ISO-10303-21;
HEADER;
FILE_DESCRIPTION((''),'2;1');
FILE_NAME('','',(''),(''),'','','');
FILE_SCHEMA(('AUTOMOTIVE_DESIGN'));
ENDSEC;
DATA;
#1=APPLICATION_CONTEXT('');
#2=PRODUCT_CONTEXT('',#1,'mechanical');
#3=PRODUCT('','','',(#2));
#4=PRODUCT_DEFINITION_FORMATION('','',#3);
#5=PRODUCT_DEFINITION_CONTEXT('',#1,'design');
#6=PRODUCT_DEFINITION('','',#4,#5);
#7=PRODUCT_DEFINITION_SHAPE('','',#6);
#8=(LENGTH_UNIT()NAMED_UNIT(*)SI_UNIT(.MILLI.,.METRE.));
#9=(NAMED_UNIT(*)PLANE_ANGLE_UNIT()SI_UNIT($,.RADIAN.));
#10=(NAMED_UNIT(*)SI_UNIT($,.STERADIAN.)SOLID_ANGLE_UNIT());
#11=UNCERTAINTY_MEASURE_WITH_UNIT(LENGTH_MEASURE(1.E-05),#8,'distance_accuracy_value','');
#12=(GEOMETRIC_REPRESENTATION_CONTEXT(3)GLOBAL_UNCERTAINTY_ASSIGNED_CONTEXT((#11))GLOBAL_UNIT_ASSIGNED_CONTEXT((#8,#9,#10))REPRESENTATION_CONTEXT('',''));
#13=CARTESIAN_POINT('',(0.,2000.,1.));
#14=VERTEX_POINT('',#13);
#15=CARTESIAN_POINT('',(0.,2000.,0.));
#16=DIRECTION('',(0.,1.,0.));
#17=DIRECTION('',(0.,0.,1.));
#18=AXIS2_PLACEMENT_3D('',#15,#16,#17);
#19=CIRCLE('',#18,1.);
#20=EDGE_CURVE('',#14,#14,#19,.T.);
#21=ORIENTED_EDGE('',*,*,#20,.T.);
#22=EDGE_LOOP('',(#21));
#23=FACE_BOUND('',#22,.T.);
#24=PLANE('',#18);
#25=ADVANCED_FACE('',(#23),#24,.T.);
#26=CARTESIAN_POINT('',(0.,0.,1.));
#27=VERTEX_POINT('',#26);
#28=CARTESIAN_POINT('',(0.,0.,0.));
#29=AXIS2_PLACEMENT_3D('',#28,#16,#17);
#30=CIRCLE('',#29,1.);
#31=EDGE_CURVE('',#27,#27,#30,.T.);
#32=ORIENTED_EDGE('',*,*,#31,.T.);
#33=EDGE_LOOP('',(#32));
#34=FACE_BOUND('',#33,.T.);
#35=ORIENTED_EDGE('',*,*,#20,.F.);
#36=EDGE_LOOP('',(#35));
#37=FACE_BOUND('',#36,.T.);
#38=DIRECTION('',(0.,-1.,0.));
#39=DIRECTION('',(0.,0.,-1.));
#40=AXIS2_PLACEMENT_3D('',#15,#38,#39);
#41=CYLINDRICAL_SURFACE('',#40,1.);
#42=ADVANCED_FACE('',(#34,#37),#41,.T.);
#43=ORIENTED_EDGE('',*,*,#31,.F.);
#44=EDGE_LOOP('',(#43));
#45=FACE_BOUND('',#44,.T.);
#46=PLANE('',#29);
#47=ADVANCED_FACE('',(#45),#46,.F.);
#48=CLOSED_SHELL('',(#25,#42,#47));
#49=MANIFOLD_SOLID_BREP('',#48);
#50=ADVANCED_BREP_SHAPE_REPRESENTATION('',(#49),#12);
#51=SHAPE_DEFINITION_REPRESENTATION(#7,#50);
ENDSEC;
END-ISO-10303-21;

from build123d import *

# Parameters (mm, degrees)
SKETCH_1_R      = 1
EXTRUDE_1_DEPTH = 2000


with BuildPart() as part:
    # 草图1 → 凸台-拉伸1 (new body)
    with BuildSketch(Plane(origin=(0, 0, 0), x_dir=(1, 0, 0), z_dir=(0, 1, 0))):
        Circle(SKETCH_1_R)
    extrude(amount=EXTRUDE_1_DEPTH)


solid = part.part
